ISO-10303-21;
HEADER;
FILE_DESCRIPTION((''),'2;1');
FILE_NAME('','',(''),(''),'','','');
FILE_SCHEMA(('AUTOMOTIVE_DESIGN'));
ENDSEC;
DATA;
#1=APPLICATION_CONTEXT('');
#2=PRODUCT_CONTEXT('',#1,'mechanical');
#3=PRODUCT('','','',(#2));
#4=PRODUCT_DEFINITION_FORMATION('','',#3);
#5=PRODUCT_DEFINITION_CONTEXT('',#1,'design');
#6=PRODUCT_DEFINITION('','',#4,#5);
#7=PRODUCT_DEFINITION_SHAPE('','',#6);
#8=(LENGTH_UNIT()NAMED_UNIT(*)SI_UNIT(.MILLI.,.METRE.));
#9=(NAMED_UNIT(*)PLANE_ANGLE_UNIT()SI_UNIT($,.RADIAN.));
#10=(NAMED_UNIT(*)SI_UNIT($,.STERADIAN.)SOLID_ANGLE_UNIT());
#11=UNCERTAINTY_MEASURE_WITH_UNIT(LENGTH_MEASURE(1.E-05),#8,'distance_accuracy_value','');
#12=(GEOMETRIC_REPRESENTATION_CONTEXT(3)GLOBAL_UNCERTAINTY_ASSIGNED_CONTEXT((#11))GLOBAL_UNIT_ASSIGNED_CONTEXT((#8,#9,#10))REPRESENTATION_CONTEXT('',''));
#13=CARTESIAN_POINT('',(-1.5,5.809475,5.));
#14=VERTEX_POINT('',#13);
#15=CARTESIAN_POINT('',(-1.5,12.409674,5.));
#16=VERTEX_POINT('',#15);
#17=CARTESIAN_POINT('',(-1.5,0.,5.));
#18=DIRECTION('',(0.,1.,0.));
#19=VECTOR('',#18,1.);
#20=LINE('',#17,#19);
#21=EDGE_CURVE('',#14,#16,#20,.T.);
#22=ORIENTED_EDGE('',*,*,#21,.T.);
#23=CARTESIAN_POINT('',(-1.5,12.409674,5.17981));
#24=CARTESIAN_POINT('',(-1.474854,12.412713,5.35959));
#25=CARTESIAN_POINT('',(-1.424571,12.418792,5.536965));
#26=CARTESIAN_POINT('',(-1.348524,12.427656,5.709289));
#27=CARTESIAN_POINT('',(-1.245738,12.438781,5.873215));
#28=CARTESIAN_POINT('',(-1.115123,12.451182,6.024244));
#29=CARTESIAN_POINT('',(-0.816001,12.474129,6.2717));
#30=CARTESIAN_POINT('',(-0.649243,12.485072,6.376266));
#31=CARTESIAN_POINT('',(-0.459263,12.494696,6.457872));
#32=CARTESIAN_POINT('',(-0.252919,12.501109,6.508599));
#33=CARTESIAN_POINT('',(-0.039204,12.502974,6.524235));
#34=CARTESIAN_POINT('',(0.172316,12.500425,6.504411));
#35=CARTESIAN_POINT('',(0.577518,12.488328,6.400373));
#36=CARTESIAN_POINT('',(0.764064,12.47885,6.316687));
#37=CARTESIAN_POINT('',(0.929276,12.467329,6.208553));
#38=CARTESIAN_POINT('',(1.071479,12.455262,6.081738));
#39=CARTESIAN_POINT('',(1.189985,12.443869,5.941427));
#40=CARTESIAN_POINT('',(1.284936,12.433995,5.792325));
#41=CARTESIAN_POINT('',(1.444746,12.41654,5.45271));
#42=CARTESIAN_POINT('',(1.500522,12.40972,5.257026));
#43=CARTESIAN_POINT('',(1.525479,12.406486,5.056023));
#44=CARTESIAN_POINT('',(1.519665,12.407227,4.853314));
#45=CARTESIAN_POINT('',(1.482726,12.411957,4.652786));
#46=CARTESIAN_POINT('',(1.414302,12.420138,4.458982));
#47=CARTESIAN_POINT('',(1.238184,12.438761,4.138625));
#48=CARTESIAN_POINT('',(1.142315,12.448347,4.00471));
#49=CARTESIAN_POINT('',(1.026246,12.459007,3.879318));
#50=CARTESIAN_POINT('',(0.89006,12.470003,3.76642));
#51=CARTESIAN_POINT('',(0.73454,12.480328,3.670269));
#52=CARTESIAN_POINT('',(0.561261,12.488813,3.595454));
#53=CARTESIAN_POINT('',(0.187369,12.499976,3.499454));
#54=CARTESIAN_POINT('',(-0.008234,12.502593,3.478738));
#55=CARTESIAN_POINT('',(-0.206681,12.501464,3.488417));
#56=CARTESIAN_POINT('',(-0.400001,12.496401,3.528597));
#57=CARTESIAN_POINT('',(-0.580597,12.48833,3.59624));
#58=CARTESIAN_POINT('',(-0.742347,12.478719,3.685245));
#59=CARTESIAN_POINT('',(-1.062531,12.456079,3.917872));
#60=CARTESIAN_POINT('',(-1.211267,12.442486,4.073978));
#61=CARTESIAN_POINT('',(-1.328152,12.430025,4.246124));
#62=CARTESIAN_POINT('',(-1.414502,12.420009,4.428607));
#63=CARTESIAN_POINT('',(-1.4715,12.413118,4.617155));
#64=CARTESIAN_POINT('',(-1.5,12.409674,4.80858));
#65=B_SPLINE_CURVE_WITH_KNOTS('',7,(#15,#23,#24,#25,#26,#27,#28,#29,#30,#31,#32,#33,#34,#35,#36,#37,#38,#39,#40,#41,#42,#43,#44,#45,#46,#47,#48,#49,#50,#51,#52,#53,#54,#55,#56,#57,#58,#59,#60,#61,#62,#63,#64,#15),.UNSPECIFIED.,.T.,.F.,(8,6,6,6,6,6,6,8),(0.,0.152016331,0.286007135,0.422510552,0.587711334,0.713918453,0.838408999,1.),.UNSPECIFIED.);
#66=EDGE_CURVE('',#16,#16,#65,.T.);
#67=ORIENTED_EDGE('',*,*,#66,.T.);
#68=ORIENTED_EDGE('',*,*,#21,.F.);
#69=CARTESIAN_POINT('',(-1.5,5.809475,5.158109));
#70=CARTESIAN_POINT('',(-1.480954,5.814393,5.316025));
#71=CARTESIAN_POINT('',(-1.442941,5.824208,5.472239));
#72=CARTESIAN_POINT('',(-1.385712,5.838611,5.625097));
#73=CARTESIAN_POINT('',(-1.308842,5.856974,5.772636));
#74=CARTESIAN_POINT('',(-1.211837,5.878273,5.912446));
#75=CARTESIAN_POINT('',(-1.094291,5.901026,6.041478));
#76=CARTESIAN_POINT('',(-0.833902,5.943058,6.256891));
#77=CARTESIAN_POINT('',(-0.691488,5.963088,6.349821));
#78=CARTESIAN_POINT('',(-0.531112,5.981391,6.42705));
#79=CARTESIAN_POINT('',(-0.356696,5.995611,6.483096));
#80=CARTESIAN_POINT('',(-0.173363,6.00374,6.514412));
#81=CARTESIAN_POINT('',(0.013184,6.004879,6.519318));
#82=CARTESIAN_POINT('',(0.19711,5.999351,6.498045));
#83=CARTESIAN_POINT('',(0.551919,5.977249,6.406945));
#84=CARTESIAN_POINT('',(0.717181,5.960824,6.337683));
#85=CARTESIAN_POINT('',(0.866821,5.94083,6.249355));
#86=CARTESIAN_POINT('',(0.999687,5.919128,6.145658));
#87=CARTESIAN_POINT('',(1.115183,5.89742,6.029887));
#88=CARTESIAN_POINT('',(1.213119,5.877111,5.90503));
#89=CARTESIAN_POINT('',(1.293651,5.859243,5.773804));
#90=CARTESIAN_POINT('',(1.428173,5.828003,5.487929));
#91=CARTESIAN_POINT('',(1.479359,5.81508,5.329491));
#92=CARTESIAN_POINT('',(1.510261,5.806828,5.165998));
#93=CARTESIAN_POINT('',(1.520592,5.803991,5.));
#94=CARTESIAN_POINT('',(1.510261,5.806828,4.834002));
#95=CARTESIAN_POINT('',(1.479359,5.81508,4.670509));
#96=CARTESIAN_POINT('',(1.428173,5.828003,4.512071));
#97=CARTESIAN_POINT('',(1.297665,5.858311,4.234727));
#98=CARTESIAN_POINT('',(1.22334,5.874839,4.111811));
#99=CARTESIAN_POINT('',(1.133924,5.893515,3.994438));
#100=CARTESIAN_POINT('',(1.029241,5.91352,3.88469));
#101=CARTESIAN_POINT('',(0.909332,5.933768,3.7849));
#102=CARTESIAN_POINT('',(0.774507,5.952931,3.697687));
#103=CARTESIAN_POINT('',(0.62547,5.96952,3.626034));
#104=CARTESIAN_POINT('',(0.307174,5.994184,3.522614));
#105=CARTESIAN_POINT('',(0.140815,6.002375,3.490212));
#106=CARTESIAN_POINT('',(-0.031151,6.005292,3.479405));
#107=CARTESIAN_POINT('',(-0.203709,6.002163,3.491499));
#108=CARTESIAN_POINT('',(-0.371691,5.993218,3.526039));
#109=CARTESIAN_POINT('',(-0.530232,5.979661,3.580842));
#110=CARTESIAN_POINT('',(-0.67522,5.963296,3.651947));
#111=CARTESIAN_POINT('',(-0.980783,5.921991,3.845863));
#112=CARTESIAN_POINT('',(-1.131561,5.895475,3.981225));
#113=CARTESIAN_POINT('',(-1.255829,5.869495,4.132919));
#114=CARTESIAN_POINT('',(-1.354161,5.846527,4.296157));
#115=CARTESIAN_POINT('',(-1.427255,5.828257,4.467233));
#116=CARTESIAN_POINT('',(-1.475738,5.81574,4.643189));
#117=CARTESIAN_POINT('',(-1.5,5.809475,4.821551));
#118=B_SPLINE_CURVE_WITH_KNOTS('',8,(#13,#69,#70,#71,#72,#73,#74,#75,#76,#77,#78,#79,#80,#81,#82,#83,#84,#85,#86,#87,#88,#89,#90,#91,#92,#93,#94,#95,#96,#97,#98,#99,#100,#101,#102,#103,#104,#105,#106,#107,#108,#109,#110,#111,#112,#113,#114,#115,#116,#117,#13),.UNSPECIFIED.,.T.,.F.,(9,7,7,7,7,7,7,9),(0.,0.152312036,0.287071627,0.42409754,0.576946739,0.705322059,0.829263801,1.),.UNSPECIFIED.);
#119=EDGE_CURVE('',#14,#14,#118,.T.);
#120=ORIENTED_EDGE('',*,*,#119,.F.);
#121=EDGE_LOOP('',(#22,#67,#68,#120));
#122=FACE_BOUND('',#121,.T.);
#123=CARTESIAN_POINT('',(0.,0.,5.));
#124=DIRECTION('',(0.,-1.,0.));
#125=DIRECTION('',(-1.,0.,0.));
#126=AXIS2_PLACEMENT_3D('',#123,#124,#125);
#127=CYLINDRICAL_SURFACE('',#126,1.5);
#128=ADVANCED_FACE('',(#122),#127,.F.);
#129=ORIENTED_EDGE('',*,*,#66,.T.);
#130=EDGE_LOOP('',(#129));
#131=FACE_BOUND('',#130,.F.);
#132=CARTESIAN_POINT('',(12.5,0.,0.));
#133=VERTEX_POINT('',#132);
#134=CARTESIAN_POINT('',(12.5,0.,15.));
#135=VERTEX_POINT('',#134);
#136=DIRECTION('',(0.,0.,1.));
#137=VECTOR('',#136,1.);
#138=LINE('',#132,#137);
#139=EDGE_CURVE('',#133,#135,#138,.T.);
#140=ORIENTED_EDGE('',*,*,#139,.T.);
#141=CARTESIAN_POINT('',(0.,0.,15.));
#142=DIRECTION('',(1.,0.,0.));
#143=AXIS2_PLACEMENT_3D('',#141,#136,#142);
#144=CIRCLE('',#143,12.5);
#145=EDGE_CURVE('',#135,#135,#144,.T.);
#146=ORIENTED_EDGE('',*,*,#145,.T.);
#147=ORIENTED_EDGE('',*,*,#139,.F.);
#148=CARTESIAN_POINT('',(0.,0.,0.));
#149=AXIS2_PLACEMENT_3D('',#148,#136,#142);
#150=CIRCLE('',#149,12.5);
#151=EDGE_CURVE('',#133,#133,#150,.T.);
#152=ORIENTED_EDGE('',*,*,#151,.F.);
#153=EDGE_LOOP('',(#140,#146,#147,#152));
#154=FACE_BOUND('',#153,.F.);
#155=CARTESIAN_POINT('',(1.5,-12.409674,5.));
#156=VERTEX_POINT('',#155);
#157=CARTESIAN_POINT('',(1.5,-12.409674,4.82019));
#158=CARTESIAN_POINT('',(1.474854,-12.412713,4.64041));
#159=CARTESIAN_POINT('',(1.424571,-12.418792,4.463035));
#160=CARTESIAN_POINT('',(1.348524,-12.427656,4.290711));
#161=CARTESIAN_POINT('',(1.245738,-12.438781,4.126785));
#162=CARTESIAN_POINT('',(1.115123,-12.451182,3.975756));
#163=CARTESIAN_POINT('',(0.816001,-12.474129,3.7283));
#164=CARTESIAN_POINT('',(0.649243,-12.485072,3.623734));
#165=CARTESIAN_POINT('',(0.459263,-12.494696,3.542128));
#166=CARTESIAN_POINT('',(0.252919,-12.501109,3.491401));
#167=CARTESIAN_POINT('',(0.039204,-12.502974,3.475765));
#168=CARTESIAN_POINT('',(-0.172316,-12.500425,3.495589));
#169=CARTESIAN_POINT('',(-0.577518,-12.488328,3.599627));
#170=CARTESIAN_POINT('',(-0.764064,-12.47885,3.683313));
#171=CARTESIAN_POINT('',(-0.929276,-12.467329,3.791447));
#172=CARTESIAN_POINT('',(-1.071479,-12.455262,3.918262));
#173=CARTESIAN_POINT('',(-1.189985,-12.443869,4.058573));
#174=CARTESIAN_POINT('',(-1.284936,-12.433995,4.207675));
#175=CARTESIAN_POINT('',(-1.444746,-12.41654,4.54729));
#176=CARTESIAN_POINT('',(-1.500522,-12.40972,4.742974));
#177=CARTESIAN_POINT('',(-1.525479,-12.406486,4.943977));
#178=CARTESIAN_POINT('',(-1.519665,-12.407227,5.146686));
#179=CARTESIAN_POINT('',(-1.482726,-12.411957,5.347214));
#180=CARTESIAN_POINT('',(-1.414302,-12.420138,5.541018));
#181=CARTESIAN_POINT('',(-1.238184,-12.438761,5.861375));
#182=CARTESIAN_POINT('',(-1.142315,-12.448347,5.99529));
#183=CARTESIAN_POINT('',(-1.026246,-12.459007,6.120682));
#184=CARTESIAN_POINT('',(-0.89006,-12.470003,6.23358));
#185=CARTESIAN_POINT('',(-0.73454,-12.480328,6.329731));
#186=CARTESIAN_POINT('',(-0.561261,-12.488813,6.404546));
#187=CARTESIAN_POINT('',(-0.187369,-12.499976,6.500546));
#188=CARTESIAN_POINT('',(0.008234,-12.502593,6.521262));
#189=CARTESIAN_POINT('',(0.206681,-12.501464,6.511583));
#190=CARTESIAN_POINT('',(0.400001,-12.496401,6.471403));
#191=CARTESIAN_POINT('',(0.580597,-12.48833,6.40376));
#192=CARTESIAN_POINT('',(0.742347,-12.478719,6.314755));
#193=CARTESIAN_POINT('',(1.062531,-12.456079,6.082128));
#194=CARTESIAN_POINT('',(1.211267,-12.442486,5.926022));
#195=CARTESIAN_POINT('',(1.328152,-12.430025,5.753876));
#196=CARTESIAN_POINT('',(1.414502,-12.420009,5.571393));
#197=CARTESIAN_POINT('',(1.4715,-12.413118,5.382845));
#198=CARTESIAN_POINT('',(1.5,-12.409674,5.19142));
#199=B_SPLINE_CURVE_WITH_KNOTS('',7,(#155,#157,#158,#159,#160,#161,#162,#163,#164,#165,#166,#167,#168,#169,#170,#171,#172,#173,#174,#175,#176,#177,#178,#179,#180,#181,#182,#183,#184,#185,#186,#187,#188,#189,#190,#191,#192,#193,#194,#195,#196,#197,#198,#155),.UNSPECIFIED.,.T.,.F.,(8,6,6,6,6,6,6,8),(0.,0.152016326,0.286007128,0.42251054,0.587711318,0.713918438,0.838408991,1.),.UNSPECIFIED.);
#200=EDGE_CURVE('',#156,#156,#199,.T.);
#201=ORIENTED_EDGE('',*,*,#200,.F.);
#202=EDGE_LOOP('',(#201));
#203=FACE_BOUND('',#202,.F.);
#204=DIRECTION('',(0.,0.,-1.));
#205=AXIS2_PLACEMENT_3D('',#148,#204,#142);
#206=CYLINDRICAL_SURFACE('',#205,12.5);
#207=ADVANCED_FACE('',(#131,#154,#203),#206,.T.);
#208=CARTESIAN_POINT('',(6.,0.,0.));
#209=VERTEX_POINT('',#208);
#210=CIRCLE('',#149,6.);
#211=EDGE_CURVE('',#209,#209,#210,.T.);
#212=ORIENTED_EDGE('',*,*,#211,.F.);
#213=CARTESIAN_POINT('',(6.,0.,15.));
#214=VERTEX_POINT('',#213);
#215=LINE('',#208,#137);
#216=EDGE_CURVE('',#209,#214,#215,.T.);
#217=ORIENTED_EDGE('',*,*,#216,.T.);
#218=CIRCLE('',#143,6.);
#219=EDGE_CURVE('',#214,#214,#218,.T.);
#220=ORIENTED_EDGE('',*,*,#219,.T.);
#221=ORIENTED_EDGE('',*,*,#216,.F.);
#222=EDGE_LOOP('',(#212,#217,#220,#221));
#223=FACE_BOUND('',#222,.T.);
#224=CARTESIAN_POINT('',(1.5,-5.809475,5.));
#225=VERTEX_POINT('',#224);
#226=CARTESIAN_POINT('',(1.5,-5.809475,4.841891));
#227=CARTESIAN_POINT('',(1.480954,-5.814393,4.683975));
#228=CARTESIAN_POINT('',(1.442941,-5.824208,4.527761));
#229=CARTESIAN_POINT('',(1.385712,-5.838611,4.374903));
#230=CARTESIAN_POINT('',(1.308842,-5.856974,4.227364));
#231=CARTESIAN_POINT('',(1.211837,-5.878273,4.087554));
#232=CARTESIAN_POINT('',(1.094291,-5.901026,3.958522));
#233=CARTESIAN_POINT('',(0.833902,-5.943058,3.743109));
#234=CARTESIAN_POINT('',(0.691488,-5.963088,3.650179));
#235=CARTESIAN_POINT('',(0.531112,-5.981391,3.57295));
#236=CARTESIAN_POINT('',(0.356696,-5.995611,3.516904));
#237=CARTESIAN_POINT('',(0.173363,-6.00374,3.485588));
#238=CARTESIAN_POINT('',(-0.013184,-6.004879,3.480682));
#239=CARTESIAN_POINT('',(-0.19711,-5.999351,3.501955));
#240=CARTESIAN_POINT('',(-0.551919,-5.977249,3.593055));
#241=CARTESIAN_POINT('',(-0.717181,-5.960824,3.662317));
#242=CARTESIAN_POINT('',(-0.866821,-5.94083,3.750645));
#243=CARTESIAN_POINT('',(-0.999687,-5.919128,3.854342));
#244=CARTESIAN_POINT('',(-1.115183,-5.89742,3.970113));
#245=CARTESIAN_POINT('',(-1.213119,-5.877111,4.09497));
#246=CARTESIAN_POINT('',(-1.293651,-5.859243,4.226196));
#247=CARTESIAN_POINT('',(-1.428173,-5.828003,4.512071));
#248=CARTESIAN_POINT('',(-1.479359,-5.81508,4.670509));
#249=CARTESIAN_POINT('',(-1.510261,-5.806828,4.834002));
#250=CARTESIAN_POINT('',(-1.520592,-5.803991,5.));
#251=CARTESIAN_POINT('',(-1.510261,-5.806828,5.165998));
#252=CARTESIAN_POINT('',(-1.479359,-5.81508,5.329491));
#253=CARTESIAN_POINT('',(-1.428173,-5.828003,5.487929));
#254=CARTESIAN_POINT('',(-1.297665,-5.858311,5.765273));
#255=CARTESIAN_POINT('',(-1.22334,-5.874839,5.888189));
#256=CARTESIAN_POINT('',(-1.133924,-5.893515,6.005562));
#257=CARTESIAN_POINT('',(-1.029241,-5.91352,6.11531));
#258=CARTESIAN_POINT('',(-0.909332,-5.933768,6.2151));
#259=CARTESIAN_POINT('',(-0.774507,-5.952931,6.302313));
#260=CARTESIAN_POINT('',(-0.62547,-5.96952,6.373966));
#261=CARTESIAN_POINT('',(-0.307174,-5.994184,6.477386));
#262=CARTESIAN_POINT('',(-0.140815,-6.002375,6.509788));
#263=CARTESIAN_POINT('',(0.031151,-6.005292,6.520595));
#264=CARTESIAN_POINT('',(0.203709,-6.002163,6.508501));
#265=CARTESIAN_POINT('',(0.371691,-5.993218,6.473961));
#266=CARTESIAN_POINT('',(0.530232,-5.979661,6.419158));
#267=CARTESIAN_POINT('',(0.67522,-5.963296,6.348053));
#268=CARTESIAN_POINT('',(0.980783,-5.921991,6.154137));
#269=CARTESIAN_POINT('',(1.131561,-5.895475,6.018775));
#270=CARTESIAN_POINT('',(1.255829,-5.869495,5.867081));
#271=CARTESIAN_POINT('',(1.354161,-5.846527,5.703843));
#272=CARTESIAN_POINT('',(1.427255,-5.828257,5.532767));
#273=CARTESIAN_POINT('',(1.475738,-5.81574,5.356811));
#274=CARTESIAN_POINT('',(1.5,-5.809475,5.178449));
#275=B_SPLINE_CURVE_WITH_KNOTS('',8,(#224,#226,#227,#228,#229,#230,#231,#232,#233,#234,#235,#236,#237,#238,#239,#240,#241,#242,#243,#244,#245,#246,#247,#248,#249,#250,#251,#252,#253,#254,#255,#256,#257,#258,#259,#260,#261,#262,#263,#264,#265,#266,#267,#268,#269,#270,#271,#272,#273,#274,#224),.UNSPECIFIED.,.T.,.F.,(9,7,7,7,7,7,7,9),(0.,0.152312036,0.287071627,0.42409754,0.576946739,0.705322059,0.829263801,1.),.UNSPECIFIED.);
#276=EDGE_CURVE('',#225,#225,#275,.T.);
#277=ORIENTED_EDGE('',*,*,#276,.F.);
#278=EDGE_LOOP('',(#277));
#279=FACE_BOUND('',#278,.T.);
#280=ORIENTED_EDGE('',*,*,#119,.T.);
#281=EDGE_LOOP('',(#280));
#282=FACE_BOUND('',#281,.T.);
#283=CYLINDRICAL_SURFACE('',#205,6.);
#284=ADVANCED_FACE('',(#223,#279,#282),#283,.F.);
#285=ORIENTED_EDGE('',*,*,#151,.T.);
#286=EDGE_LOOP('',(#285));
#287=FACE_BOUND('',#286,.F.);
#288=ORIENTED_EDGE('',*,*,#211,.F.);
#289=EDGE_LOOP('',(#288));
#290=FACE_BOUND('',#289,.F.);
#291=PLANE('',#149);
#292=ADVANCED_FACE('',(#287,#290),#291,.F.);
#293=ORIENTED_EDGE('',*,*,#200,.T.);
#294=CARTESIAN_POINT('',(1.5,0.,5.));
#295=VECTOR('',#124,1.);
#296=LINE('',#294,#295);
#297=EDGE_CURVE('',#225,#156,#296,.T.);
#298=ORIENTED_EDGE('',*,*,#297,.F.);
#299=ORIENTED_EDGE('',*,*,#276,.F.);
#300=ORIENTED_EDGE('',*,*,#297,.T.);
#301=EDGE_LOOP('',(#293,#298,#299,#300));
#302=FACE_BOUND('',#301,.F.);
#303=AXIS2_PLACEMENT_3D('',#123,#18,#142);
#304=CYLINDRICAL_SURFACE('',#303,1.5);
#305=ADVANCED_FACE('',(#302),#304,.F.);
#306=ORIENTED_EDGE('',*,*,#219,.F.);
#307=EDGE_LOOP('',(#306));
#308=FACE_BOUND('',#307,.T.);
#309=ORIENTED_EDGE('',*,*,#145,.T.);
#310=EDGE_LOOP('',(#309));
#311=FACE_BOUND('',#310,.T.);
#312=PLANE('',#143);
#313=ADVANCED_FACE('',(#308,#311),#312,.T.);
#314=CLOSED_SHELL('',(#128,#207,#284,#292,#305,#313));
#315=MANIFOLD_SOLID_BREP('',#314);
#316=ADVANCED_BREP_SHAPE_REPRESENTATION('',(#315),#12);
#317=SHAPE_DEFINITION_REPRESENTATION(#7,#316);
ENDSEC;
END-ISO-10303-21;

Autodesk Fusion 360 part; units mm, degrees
sketch "Sketch1" plane through (0, 0, 0) normal (0, 0, 1) x (1, 0, 0)
  circle A0 centre (0, 0) radius 12.5
  circle A1 centre (0, 0) radius 6
  dimension "d1" = 25
  dimension "d2" = 12
extrude "Extrude1" add sketch "Sketch1" along normal blind 15
sketch "Sketch2" plane through (0, 0, 0) normal (0, 1, 0) x (1, 0, 0)
  circle A0 centre (0, -5) radius 1.5
  dimension "d5" = 3
extrude "Extrude2" cut sketch "Sketch2" against normal blind 60
sketch "Sketch3" plane through (0, 0, 0) normal (0, 1, 0) x (-1, 0, 0)
  circle A0 centre (0, 5) radius 1.5
  dimension "d8" = 3
extrude "Extrude3" cut sketch "Sketch3" along normal blind 30
sketch "Sketch4" plane through (0, 0, 0) normal (0, 1, 0) x (1, 0, 0)
  circle A0 centre (0, -5) radius 1.5
  dimension "d9" = 3
